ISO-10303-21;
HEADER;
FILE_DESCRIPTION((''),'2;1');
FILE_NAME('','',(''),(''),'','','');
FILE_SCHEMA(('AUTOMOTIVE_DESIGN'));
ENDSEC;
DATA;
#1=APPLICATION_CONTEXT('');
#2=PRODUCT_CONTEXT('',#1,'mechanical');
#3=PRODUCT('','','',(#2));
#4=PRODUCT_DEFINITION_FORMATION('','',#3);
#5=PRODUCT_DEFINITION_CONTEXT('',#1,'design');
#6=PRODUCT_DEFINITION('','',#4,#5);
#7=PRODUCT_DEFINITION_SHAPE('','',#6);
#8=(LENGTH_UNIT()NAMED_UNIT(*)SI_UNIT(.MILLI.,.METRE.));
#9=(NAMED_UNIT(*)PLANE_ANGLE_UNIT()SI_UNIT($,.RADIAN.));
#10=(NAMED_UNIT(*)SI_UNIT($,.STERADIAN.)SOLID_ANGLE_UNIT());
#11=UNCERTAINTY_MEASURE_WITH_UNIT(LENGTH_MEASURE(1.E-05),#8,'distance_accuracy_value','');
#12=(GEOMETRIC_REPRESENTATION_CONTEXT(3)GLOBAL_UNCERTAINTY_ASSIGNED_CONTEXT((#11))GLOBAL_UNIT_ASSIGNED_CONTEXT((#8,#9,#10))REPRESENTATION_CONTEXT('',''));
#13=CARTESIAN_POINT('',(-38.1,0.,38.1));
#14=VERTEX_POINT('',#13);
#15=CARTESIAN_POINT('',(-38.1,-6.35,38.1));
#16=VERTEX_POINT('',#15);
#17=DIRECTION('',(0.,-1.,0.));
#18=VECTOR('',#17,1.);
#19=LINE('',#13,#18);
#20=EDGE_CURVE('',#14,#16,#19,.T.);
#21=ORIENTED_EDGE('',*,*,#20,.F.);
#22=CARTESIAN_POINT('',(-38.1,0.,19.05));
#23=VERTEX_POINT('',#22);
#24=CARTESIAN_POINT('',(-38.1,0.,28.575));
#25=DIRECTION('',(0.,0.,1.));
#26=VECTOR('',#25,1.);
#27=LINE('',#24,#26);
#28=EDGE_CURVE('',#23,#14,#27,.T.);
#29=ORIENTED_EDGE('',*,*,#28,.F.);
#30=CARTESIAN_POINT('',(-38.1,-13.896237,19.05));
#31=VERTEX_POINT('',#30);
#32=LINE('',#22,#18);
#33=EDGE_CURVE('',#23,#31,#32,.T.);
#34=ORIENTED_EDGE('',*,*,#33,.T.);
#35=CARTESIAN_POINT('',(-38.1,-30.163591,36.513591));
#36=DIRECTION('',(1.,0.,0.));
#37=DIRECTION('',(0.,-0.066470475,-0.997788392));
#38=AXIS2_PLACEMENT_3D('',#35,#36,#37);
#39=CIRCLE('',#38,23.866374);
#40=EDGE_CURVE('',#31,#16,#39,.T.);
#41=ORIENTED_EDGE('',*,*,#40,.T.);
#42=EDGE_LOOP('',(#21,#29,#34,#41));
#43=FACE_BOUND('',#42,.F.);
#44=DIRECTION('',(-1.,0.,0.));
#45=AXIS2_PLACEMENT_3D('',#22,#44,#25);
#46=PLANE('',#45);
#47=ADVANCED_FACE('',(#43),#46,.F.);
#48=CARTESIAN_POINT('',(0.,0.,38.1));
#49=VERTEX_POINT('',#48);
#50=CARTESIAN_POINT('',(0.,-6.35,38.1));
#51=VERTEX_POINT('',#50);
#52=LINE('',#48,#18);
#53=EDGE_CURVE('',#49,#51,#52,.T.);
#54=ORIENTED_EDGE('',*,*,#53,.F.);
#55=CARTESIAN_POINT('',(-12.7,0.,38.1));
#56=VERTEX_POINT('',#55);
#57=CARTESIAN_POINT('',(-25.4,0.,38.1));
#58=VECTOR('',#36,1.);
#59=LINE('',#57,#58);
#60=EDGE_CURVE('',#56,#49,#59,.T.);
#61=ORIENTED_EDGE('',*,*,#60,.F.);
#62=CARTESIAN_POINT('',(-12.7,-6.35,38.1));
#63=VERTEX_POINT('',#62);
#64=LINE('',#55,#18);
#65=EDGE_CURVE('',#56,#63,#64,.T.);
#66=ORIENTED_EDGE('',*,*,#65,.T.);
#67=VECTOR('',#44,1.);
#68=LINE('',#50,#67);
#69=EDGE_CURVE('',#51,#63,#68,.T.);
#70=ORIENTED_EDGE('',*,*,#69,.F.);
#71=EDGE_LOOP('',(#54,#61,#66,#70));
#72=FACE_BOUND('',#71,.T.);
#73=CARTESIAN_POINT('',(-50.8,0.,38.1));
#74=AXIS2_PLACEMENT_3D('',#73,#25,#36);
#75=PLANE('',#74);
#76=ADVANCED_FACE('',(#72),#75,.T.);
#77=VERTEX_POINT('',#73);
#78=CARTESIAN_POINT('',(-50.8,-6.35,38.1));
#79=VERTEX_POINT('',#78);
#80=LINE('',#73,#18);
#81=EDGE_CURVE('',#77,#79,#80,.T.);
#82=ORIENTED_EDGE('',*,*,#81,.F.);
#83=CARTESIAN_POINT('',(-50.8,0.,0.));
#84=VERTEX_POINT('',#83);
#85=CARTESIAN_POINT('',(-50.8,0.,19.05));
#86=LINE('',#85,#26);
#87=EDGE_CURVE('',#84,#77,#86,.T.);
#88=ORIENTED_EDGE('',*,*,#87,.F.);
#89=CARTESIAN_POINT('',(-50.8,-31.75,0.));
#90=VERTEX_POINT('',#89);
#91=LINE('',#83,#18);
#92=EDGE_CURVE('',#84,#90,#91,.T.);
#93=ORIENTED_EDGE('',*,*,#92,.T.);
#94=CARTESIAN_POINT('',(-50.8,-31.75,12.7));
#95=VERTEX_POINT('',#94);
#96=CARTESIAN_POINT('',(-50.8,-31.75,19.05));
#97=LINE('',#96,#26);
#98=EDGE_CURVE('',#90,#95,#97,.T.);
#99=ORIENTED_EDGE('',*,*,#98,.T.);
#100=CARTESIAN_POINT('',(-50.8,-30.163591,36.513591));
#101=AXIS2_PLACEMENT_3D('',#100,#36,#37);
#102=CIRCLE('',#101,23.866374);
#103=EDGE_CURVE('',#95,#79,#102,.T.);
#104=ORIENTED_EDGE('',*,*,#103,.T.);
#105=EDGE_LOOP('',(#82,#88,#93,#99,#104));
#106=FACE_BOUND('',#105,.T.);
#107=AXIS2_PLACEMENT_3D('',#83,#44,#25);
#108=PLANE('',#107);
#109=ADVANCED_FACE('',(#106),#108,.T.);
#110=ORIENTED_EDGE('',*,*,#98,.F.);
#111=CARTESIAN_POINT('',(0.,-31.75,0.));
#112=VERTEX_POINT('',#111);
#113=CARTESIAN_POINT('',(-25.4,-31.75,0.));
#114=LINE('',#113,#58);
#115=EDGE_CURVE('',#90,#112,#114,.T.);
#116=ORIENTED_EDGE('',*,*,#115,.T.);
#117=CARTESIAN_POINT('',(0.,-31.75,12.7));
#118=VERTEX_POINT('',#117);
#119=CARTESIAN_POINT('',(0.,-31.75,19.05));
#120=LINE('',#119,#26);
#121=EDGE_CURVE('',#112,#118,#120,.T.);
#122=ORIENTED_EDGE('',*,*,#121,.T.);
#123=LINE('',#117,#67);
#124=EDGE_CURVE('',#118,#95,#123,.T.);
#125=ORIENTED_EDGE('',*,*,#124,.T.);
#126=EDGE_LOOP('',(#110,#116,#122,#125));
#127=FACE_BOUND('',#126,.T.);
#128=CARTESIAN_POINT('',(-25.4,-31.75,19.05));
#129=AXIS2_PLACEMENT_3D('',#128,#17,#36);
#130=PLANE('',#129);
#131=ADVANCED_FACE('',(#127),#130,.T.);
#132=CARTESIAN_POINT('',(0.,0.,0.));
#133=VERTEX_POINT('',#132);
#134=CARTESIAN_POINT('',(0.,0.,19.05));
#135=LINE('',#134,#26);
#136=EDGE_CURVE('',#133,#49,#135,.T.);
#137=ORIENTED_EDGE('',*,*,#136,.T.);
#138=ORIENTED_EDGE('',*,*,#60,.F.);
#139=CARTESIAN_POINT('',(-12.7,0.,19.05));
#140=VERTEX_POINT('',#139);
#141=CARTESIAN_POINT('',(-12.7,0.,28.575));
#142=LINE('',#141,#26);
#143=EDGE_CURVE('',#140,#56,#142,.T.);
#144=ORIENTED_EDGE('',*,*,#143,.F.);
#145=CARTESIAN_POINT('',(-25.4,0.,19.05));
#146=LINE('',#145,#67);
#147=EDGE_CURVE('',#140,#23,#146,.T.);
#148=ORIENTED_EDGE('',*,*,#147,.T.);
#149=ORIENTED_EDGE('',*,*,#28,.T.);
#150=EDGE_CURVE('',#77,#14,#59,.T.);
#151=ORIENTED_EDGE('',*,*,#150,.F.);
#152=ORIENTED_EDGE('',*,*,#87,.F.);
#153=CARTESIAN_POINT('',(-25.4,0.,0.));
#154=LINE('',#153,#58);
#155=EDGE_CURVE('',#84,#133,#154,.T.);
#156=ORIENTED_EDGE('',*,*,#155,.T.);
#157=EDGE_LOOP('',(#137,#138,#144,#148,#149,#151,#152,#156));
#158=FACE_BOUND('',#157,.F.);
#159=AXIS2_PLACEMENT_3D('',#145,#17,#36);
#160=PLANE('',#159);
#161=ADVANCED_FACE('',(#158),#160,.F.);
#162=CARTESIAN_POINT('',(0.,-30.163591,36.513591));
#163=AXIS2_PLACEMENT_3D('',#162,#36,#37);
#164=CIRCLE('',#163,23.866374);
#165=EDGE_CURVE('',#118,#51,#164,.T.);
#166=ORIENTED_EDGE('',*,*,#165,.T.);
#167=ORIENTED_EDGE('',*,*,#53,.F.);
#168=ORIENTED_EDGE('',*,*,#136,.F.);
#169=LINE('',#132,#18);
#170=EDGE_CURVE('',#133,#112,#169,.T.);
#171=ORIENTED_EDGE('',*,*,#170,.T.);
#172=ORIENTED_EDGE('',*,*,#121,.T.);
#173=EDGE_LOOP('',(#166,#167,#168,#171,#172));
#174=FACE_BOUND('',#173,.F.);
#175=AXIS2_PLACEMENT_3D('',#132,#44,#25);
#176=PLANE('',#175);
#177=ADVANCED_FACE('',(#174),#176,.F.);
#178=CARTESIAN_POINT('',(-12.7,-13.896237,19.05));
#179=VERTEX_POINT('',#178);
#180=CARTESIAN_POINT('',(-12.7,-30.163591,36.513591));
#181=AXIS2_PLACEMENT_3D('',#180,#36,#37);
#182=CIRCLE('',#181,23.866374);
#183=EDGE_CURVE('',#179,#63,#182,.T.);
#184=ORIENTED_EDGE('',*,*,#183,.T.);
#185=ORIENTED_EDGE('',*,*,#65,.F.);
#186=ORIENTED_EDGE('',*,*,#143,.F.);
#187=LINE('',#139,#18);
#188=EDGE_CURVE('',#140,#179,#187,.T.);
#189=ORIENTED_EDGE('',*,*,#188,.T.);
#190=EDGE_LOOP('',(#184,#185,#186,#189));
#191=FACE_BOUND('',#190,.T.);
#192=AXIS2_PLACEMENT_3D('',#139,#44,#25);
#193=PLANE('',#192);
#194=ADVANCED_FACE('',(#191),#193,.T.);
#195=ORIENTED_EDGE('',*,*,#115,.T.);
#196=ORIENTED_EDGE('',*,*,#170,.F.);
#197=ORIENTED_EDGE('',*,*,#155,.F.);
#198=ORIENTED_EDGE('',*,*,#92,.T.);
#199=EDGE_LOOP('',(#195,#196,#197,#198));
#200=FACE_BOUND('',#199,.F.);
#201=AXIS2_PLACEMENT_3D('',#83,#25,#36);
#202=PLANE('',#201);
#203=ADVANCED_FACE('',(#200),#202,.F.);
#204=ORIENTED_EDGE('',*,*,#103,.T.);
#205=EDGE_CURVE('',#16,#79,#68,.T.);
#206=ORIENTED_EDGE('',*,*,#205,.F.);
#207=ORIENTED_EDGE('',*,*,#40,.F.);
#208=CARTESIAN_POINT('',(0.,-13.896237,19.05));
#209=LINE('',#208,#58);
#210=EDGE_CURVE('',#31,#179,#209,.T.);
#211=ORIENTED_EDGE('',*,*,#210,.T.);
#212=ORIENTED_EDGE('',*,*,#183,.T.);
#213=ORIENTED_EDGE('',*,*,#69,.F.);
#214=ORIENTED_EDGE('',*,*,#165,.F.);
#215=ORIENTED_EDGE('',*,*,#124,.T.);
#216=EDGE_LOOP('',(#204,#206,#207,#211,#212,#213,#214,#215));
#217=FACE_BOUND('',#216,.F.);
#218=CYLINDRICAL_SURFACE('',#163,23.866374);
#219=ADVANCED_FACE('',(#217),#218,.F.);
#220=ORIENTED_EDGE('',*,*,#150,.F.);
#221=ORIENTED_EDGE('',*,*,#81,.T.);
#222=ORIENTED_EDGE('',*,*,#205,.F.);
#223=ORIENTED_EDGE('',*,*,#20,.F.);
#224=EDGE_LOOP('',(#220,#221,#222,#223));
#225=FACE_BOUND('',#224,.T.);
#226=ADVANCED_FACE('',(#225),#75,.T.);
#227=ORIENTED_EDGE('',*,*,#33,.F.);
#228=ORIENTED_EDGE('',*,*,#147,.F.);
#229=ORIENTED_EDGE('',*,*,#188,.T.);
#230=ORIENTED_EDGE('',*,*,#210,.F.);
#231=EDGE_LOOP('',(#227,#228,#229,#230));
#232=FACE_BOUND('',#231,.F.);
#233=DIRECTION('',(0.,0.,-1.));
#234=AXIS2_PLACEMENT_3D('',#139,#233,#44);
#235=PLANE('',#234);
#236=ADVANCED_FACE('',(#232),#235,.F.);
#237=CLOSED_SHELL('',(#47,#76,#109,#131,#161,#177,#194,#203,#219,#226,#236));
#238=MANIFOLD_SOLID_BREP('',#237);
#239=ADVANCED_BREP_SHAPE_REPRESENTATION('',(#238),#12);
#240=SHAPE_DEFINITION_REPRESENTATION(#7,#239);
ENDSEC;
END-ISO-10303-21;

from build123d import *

# Parameters (mm, degrees)
F0_W     = 50.8
F0_H     = 38.1
F1_DEPTH = 31.75
F3_DEPTH = 50.801
F4_W     = 25.4
F4_H     = 19.05
F5_DEPTH = 31.751


with BuildPart() as f1:
    # F0 (on Front) → F1 (new body)
    with BuildSketch(Plane.XZ):
        with Locations((-25.4, 19.05)):
            Rectangle(F0_W, F0_H)
    extrude(amount=F1_DEPTH)

    # F2 (on face) → F3 (cut, through all)
    with BuildSketch(Plane.YZ):
        with BuildLine():
            Line((-31.75, 38.1), (-31.75, 12.7))
            ThreePointArc((-31.75, 12.7), (-13.287516, 19.637516), (-6.35, 38.1))
            Line((-6.35, 38.1), (-31.75, 38.1))
        make_face()
    extrude(amount=-F3_DEPTH, mode=Mode.SUBTRACT)

    # F4 (on face) → F5 (cut, through all)
    with BuildSketch(Plane(origin=(0, 0, 0), x_dir=(-1, 0, 0), z_dir=(0, 1, 0))):
        with Locations((25.4, 28.575)):
            Rectangle(F4_W, F4_H)
    extrude(amount=-F5_DEPTH, mode=Mode.SUBTRACT)


solid = f1.part
